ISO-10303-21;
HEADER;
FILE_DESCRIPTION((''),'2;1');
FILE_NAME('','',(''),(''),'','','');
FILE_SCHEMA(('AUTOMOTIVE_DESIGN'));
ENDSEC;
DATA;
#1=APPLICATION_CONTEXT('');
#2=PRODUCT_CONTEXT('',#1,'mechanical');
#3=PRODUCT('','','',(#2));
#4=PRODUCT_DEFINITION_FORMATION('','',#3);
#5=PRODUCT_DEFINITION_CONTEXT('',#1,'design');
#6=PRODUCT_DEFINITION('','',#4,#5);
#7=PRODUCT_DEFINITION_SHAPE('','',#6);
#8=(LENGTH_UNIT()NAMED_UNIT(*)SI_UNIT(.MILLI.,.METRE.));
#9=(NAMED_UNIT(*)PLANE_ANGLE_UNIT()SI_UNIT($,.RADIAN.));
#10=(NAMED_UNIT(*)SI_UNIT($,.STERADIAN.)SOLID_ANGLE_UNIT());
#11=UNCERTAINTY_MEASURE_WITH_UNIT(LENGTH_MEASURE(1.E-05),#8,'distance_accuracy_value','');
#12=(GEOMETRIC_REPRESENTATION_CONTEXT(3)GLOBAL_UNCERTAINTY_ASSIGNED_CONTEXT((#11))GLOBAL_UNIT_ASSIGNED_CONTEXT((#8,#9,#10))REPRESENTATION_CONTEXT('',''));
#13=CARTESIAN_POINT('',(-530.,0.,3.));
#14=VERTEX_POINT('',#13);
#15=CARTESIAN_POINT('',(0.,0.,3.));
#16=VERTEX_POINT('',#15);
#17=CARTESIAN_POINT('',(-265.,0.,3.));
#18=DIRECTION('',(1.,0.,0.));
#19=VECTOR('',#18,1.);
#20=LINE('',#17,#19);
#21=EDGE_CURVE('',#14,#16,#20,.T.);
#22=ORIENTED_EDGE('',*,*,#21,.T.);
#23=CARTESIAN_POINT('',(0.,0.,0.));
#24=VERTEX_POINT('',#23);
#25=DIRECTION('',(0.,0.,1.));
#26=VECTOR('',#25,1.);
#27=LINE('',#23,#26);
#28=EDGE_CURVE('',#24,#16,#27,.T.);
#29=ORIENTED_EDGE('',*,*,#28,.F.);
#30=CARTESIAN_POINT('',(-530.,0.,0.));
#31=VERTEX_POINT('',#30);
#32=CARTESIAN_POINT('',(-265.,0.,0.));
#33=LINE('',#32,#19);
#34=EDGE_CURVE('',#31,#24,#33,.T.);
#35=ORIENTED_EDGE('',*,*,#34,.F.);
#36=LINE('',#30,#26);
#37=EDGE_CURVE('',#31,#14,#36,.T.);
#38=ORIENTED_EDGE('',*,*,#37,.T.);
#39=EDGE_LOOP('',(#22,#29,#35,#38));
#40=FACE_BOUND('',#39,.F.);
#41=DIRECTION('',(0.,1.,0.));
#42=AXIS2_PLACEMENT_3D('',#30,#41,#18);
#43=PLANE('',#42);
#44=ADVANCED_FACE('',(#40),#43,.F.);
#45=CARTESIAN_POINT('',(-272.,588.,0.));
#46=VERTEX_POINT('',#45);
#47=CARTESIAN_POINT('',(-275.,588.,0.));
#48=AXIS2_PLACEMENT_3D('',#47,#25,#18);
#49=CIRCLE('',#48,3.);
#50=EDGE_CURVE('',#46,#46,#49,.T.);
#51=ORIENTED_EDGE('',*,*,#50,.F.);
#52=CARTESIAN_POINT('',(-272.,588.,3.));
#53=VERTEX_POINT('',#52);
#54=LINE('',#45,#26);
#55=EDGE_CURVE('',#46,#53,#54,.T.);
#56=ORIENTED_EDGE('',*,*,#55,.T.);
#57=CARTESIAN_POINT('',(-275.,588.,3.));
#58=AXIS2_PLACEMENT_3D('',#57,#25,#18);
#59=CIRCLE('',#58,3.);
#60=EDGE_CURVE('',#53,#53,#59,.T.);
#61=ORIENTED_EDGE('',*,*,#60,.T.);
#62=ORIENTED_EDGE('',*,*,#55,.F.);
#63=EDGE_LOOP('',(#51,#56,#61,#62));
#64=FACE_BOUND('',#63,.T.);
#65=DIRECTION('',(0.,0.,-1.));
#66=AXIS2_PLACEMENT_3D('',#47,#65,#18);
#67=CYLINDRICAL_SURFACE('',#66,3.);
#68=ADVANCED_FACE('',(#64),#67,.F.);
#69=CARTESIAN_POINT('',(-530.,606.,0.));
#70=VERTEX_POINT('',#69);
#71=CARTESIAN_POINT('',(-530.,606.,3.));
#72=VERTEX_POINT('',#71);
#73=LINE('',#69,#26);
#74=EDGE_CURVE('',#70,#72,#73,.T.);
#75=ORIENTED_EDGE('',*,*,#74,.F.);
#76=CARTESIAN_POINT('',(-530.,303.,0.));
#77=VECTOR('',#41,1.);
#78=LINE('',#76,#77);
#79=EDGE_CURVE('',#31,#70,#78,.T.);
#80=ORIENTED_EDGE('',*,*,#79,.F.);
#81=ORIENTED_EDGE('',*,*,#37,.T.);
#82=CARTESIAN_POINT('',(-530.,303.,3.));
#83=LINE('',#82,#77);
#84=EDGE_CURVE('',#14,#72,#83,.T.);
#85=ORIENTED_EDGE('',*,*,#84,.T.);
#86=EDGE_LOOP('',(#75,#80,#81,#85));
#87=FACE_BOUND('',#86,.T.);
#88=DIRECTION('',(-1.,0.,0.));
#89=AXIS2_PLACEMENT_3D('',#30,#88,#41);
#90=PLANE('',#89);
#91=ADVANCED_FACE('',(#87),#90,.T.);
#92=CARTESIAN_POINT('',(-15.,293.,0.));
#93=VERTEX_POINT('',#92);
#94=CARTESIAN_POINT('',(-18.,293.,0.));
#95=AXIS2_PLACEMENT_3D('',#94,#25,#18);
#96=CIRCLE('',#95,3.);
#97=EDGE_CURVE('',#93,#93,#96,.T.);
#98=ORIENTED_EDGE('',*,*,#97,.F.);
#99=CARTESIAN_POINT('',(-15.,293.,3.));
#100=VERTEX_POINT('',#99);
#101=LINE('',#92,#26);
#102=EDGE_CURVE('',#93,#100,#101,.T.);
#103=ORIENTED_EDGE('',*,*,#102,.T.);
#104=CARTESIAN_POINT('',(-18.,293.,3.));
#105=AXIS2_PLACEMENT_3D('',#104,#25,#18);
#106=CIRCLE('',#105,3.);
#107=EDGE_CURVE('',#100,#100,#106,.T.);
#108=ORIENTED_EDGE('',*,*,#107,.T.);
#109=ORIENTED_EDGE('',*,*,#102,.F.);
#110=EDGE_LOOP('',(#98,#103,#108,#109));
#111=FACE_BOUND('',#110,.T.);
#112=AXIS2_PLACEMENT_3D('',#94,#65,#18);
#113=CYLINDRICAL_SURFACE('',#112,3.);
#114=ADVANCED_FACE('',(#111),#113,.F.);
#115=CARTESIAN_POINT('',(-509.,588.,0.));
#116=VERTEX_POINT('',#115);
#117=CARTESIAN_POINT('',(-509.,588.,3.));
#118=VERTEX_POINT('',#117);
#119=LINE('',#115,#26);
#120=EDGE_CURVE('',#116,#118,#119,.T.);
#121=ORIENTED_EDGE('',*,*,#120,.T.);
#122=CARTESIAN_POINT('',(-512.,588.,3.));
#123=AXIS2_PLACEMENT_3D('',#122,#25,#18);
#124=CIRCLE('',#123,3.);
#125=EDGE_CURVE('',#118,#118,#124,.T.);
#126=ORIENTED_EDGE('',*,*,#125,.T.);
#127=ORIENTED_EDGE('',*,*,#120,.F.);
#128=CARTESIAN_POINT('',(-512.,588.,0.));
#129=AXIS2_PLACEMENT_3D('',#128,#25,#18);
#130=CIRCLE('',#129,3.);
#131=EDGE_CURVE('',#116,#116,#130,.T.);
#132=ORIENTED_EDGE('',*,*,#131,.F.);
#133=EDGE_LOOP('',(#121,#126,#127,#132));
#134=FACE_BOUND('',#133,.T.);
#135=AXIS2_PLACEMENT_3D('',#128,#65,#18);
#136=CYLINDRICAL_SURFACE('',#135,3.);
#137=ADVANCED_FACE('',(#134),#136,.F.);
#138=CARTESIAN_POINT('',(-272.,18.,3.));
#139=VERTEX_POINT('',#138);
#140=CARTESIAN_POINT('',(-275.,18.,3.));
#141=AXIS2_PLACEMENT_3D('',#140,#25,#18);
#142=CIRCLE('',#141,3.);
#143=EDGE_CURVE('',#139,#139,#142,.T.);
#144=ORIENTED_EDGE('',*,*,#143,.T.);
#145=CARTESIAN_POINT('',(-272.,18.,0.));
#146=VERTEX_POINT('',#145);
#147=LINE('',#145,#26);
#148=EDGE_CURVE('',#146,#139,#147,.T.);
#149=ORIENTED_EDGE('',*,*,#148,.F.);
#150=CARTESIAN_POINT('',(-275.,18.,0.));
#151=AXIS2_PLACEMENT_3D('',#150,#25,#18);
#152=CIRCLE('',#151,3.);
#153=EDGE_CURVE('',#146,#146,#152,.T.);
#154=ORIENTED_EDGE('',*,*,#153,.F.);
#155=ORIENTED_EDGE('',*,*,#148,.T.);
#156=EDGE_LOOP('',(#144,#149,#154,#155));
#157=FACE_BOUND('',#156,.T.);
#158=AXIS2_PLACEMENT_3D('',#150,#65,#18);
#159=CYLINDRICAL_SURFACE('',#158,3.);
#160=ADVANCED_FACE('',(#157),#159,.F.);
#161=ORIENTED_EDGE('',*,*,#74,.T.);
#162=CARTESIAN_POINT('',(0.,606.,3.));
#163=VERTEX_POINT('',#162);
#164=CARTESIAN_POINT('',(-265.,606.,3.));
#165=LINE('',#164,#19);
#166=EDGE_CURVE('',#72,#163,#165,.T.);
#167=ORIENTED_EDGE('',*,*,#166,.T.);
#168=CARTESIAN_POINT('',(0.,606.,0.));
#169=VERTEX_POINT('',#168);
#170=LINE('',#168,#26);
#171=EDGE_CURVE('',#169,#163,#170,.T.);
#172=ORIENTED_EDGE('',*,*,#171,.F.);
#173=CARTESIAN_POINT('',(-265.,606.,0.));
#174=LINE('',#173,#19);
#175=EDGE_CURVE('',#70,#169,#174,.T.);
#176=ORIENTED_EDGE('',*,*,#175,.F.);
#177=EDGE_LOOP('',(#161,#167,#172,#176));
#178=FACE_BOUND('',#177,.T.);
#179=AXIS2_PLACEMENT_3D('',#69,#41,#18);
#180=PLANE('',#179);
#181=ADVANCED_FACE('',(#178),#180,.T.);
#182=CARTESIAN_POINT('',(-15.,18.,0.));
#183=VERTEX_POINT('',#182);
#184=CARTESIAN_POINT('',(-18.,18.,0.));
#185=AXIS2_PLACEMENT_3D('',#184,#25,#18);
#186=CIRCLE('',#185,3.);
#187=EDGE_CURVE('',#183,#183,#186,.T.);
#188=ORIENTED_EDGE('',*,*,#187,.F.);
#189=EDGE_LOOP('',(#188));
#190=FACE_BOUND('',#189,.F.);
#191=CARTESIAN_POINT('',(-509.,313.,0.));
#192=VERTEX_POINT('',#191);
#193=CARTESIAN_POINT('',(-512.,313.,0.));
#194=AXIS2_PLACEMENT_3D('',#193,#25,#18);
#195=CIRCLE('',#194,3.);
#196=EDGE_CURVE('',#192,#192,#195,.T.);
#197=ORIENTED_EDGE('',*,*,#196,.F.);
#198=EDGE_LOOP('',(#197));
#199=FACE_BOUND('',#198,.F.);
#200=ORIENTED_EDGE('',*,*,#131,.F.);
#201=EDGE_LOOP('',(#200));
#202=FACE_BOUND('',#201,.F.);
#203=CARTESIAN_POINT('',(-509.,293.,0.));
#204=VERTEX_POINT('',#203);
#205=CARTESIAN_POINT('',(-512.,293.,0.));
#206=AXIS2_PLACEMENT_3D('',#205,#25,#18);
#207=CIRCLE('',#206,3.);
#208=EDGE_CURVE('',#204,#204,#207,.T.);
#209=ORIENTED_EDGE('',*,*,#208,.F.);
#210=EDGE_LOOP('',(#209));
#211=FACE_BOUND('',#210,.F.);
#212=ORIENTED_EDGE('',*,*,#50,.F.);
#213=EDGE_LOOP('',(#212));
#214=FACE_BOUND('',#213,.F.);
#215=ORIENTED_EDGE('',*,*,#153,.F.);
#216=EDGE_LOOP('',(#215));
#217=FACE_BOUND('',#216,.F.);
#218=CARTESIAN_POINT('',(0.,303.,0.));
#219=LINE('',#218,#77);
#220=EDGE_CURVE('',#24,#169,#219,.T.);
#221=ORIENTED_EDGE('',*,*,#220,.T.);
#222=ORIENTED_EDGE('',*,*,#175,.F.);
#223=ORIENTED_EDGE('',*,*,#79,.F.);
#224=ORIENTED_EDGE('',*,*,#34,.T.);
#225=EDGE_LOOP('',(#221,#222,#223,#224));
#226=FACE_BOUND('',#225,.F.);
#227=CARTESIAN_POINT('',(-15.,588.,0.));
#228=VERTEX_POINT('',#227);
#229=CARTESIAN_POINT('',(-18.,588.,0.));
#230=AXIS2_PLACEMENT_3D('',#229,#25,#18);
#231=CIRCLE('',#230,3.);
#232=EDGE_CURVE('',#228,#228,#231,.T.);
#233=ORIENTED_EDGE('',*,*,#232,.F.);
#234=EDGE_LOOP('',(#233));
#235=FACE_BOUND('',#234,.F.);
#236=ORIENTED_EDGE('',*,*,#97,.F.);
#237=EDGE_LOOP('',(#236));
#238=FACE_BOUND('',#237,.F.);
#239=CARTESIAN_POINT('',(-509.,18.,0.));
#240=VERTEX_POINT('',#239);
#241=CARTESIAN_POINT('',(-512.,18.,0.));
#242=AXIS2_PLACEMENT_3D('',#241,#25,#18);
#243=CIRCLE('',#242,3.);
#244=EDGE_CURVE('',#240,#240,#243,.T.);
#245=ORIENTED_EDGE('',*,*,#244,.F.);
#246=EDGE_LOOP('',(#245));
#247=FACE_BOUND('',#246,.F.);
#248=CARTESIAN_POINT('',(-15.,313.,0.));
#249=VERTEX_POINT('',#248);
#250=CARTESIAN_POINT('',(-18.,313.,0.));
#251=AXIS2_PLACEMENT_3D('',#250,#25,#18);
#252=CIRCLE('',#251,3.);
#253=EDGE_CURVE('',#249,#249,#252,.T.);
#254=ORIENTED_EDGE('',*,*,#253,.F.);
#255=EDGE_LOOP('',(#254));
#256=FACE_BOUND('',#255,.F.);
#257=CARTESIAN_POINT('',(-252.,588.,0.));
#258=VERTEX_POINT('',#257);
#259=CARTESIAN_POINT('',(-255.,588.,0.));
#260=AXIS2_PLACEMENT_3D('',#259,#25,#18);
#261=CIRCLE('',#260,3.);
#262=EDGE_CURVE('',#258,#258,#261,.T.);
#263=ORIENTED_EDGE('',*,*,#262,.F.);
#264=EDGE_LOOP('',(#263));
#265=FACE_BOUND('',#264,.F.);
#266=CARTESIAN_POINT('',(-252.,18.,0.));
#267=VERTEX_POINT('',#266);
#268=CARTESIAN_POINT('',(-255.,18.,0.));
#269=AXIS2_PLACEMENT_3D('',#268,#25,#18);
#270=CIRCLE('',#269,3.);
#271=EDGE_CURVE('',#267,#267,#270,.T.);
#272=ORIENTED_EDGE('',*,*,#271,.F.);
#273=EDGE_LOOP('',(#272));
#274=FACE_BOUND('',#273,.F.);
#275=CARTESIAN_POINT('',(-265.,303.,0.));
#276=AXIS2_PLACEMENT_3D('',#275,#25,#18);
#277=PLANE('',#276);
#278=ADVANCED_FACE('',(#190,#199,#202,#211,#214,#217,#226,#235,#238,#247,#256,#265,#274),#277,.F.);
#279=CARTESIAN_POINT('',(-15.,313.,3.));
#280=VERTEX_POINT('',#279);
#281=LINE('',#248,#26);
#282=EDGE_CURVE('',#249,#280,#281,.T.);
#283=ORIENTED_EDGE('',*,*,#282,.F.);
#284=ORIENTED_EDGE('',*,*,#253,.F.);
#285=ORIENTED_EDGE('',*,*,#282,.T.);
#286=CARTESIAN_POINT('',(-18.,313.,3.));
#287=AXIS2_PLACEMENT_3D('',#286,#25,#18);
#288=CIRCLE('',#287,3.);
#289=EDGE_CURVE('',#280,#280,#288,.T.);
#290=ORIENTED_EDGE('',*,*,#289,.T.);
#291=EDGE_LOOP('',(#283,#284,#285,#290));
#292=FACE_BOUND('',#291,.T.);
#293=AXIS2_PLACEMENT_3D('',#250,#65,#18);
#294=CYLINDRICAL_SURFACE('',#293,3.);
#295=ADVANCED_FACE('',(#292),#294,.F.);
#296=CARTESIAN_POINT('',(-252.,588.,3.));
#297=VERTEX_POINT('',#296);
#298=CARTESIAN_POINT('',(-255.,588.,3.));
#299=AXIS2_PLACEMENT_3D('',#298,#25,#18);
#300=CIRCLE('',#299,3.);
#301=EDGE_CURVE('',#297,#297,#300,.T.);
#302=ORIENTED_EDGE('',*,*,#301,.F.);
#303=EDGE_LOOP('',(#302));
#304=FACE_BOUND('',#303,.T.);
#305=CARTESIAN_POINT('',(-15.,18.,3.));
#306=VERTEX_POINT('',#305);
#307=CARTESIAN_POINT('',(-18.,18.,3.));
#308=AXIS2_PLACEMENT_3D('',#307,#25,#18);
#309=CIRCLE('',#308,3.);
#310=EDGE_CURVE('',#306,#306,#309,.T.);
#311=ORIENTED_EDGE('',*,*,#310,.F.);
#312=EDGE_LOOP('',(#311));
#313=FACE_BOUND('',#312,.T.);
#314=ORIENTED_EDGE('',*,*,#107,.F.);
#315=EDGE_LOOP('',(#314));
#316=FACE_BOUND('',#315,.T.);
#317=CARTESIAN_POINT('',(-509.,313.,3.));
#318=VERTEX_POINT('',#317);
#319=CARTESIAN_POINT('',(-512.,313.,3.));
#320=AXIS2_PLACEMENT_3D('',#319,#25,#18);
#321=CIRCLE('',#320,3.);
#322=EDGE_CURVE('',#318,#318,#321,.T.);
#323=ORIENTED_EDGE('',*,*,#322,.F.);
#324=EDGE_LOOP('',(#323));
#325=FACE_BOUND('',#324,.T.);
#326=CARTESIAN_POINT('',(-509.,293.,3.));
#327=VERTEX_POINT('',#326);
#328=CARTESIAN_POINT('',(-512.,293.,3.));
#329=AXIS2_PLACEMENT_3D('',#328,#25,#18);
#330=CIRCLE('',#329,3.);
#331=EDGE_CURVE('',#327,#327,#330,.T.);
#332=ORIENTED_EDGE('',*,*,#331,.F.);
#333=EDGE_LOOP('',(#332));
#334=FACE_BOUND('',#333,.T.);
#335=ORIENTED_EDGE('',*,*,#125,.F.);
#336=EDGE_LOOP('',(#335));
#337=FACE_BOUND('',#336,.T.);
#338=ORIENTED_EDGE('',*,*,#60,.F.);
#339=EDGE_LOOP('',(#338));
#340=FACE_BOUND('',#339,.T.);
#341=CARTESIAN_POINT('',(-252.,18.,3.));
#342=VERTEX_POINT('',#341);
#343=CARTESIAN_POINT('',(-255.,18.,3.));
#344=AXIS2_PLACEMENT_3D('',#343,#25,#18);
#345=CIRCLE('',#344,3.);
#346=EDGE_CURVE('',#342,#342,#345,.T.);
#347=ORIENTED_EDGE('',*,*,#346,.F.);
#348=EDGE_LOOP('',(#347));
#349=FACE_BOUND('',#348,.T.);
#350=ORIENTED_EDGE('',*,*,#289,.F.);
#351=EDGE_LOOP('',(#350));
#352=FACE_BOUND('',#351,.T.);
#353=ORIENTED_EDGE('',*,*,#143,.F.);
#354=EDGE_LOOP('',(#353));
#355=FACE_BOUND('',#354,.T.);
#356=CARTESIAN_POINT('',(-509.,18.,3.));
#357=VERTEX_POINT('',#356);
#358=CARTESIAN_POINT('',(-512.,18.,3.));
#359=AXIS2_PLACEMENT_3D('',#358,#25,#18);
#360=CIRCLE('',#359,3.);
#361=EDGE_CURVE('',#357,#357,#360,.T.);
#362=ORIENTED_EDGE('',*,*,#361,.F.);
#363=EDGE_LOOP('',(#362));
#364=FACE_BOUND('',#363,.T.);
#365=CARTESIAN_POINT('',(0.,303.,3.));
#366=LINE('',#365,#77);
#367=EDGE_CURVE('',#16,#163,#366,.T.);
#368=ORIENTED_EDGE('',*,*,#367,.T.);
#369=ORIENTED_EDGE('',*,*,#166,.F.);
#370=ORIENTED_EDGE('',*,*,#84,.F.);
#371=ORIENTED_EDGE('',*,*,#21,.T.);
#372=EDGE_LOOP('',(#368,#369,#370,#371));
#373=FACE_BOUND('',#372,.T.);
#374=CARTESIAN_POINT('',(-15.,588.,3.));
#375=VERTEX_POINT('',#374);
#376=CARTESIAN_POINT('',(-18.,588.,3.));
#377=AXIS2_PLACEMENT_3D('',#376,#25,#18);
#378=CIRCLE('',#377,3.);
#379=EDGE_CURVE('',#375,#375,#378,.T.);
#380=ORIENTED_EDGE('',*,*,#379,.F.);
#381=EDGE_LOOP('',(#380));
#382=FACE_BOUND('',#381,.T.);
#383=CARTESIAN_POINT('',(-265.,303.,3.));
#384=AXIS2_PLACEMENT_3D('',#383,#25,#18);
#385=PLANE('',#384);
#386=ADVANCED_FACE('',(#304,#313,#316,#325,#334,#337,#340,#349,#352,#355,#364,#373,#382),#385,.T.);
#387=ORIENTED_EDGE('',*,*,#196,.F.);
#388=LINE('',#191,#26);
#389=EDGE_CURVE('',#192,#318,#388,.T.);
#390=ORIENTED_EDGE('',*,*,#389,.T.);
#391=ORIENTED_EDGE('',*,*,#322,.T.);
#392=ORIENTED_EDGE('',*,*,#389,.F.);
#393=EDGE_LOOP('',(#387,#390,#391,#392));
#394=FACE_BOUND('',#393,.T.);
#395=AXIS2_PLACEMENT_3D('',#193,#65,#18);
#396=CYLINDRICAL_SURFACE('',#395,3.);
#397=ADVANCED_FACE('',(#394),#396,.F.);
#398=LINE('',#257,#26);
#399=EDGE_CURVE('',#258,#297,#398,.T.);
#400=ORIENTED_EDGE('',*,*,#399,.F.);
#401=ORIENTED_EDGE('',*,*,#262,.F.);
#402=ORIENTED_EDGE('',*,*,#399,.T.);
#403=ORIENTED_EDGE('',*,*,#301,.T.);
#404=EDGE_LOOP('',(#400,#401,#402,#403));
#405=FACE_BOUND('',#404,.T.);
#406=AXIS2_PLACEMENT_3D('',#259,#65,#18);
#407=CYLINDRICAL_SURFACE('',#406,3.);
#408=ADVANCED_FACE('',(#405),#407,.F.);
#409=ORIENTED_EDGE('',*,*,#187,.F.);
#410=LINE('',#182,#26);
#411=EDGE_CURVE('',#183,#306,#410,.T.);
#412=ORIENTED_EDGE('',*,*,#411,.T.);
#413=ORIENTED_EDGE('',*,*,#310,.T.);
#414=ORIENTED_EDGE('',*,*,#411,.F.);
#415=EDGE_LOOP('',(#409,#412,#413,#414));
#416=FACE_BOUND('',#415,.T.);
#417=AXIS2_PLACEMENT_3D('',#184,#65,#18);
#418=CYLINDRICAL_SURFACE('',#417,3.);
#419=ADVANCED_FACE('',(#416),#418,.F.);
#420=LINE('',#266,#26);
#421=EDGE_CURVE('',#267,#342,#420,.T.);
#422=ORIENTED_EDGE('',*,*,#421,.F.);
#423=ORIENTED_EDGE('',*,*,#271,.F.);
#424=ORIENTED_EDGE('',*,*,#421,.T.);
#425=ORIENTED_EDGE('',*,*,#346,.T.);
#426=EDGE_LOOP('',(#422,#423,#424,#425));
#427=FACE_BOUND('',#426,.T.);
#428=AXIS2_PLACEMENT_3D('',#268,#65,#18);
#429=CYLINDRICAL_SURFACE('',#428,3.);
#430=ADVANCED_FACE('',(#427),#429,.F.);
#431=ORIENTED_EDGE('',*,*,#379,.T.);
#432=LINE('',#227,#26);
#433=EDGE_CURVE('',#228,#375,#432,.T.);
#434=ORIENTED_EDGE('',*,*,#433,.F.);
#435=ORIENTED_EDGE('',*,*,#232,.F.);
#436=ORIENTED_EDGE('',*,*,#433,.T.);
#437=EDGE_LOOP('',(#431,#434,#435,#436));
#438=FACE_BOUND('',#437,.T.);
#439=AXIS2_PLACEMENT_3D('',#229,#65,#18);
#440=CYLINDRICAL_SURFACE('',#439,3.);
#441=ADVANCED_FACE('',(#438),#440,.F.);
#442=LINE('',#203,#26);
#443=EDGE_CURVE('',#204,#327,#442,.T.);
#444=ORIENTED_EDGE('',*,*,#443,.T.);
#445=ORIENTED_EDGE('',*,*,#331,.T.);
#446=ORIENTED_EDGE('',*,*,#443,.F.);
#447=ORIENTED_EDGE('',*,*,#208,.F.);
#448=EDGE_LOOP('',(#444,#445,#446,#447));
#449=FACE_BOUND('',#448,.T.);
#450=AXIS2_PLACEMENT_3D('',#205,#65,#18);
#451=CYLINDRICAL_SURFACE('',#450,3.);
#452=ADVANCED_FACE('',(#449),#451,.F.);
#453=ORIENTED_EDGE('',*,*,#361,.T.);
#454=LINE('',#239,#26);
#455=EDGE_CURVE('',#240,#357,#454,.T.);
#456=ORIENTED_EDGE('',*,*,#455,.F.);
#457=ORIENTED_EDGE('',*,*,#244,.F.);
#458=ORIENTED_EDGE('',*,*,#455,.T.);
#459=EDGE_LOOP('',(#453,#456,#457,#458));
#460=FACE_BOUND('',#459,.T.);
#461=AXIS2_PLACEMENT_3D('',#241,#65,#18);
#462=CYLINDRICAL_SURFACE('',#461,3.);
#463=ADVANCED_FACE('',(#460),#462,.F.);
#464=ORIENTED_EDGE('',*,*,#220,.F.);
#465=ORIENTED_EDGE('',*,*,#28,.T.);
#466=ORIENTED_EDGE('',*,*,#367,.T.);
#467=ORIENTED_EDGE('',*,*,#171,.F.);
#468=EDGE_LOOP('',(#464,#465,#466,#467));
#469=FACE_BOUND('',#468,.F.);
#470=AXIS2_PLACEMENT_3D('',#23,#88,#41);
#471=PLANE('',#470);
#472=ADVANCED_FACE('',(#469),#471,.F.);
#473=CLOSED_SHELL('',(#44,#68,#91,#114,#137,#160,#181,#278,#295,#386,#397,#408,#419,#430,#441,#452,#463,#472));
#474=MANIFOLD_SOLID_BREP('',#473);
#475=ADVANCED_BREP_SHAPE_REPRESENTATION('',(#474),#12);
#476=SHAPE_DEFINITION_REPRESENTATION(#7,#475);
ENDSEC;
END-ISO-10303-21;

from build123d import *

# Parameters (mm, degrees)
F0_W     = 530
F0_H     = 606
F0_R     = 3
F1_DEPTH = 3


with BuildPart() as f1:
    # F0 (on Top) → F1 (new body)
    with BuildSketch(Plane.XY):
        with Locations((-265, 303)):
            Rectangle(F0_W, F0_H)
        with Locations((-512, 18)):
            Circle(F0_R, mode=Mode.SUBTRACT)
        with Locations((-275, 18)):
            Circle(F0_R, mode=Mode.SUBTRACT)
        with Locations((-512, 293)):
            Circle(F0_R, mode=Mode.SUBTRACT)
        with Locations((-255, 18)):
            Circle(F0_R, mode=Mode.SUBTRACT)
        with Locations((-18, 18)):
            Circle(F0_R, mode=Mode.SUBTRACT)
        with Locations((-18, 293)):
            Circle(F0_R, mode=Mode.SUBTRACT)
        with Locations((-512, 313)):
            Circle(F0_R, mode=Mode.SUBTRACT)
        with Locations((-512, 588)):
            Circle(F0_R, mode=Mode.SUBTRACT)
        with Locations((-275, 588)):
            Circle(F0_R, mode=Mode.SUBTRACT)
        with Locations((-18, 313)):
            Circle(F0_R, mode=Mode.SUBTRACT)
        with Locations((-255, 588)):
            Circle(F0_R, mode=Mode.SUBTRACT)
        with Locations((-18, 588)):
            Circle(F0_R, mode=Mode.SUBTRACT)
    extrude(amount=F1_DEPTH)


solid = f1.part
